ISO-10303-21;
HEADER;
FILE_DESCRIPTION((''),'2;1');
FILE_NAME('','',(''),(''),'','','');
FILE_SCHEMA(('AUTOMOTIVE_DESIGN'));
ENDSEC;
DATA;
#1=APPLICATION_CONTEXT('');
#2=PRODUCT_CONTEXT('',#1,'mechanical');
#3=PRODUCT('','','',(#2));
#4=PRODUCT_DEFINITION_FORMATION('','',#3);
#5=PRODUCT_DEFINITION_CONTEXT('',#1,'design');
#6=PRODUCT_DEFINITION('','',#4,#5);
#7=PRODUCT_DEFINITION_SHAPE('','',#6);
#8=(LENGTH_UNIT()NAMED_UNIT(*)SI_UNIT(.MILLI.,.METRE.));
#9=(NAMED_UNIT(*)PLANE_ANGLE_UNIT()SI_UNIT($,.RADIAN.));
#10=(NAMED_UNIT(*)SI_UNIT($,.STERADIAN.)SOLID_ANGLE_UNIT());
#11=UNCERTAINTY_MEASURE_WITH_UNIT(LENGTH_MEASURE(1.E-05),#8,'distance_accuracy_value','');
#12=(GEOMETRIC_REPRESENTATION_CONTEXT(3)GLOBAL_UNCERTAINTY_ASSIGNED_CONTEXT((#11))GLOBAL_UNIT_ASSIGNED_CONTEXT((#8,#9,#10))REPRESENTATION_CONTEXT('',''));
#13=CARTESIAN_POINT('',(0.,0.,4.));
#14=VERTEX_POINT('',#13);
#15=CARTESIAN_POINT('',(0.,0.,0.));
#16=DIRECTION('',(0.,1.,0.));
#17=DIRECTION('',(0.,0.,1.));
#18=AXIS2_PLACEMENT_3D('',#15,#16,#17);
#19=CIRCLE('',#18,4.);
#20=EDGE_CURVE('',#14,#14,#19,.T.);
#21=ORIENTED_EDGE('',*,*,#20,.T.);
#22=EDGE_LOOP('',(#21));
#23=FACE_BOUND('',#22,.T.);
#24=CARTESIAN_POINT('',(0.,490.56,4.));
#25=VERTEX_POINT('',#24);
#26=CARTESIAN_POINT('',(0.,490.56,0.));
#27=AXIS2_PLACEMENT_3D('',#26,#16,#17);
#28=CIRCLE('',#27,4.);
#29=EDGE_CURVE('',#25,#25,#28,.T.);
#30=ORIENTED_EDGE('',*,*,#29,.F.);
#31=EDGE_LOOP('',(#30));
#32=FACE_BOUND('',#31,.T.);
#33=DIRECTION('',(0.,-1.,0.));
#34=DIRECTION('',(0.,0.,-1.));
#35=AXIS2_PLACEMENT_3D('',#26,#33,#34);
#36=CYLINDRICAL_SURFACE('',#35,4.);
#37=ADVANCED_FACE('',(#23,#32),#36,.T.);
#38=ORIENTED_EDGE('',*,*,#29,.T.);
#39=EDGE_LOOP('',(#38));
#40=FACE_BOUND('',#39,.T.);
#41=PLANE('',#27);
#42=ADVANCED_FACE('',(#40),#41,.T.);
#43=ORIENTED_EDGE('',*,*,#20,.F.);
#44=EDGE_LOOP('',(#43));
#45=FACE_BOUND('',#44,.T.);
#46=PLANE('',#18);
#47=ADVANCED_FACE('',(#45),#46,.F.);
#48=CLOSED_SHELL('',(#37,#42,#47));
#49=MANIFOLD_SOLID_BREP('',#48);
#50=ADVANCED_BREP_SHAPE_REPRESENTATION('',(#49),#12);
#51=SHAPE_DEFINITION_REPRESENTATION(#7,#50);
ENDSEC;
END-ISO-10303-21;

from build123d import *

# Parameters (mm, degrees)
SKETCH1_R           = 4
BOSS_EXTRUDE1_DEPTH = 490.56


with BuildPart() as part:
    # Sketch1 → Boss-Extrude1 (new body)
    with BuildSketch(Plane(origin=(0, 0, 0), x_dir=(1, 0, 0), z_dir=(0, 1, 0))):
        with Locations(Location((0, 0, 0), (0, 0, 270))):
            Circle(SKETCH1_R)
    extrude(amount=BOSS_EXTRUDE1_DEPTH)


solid = part.part
